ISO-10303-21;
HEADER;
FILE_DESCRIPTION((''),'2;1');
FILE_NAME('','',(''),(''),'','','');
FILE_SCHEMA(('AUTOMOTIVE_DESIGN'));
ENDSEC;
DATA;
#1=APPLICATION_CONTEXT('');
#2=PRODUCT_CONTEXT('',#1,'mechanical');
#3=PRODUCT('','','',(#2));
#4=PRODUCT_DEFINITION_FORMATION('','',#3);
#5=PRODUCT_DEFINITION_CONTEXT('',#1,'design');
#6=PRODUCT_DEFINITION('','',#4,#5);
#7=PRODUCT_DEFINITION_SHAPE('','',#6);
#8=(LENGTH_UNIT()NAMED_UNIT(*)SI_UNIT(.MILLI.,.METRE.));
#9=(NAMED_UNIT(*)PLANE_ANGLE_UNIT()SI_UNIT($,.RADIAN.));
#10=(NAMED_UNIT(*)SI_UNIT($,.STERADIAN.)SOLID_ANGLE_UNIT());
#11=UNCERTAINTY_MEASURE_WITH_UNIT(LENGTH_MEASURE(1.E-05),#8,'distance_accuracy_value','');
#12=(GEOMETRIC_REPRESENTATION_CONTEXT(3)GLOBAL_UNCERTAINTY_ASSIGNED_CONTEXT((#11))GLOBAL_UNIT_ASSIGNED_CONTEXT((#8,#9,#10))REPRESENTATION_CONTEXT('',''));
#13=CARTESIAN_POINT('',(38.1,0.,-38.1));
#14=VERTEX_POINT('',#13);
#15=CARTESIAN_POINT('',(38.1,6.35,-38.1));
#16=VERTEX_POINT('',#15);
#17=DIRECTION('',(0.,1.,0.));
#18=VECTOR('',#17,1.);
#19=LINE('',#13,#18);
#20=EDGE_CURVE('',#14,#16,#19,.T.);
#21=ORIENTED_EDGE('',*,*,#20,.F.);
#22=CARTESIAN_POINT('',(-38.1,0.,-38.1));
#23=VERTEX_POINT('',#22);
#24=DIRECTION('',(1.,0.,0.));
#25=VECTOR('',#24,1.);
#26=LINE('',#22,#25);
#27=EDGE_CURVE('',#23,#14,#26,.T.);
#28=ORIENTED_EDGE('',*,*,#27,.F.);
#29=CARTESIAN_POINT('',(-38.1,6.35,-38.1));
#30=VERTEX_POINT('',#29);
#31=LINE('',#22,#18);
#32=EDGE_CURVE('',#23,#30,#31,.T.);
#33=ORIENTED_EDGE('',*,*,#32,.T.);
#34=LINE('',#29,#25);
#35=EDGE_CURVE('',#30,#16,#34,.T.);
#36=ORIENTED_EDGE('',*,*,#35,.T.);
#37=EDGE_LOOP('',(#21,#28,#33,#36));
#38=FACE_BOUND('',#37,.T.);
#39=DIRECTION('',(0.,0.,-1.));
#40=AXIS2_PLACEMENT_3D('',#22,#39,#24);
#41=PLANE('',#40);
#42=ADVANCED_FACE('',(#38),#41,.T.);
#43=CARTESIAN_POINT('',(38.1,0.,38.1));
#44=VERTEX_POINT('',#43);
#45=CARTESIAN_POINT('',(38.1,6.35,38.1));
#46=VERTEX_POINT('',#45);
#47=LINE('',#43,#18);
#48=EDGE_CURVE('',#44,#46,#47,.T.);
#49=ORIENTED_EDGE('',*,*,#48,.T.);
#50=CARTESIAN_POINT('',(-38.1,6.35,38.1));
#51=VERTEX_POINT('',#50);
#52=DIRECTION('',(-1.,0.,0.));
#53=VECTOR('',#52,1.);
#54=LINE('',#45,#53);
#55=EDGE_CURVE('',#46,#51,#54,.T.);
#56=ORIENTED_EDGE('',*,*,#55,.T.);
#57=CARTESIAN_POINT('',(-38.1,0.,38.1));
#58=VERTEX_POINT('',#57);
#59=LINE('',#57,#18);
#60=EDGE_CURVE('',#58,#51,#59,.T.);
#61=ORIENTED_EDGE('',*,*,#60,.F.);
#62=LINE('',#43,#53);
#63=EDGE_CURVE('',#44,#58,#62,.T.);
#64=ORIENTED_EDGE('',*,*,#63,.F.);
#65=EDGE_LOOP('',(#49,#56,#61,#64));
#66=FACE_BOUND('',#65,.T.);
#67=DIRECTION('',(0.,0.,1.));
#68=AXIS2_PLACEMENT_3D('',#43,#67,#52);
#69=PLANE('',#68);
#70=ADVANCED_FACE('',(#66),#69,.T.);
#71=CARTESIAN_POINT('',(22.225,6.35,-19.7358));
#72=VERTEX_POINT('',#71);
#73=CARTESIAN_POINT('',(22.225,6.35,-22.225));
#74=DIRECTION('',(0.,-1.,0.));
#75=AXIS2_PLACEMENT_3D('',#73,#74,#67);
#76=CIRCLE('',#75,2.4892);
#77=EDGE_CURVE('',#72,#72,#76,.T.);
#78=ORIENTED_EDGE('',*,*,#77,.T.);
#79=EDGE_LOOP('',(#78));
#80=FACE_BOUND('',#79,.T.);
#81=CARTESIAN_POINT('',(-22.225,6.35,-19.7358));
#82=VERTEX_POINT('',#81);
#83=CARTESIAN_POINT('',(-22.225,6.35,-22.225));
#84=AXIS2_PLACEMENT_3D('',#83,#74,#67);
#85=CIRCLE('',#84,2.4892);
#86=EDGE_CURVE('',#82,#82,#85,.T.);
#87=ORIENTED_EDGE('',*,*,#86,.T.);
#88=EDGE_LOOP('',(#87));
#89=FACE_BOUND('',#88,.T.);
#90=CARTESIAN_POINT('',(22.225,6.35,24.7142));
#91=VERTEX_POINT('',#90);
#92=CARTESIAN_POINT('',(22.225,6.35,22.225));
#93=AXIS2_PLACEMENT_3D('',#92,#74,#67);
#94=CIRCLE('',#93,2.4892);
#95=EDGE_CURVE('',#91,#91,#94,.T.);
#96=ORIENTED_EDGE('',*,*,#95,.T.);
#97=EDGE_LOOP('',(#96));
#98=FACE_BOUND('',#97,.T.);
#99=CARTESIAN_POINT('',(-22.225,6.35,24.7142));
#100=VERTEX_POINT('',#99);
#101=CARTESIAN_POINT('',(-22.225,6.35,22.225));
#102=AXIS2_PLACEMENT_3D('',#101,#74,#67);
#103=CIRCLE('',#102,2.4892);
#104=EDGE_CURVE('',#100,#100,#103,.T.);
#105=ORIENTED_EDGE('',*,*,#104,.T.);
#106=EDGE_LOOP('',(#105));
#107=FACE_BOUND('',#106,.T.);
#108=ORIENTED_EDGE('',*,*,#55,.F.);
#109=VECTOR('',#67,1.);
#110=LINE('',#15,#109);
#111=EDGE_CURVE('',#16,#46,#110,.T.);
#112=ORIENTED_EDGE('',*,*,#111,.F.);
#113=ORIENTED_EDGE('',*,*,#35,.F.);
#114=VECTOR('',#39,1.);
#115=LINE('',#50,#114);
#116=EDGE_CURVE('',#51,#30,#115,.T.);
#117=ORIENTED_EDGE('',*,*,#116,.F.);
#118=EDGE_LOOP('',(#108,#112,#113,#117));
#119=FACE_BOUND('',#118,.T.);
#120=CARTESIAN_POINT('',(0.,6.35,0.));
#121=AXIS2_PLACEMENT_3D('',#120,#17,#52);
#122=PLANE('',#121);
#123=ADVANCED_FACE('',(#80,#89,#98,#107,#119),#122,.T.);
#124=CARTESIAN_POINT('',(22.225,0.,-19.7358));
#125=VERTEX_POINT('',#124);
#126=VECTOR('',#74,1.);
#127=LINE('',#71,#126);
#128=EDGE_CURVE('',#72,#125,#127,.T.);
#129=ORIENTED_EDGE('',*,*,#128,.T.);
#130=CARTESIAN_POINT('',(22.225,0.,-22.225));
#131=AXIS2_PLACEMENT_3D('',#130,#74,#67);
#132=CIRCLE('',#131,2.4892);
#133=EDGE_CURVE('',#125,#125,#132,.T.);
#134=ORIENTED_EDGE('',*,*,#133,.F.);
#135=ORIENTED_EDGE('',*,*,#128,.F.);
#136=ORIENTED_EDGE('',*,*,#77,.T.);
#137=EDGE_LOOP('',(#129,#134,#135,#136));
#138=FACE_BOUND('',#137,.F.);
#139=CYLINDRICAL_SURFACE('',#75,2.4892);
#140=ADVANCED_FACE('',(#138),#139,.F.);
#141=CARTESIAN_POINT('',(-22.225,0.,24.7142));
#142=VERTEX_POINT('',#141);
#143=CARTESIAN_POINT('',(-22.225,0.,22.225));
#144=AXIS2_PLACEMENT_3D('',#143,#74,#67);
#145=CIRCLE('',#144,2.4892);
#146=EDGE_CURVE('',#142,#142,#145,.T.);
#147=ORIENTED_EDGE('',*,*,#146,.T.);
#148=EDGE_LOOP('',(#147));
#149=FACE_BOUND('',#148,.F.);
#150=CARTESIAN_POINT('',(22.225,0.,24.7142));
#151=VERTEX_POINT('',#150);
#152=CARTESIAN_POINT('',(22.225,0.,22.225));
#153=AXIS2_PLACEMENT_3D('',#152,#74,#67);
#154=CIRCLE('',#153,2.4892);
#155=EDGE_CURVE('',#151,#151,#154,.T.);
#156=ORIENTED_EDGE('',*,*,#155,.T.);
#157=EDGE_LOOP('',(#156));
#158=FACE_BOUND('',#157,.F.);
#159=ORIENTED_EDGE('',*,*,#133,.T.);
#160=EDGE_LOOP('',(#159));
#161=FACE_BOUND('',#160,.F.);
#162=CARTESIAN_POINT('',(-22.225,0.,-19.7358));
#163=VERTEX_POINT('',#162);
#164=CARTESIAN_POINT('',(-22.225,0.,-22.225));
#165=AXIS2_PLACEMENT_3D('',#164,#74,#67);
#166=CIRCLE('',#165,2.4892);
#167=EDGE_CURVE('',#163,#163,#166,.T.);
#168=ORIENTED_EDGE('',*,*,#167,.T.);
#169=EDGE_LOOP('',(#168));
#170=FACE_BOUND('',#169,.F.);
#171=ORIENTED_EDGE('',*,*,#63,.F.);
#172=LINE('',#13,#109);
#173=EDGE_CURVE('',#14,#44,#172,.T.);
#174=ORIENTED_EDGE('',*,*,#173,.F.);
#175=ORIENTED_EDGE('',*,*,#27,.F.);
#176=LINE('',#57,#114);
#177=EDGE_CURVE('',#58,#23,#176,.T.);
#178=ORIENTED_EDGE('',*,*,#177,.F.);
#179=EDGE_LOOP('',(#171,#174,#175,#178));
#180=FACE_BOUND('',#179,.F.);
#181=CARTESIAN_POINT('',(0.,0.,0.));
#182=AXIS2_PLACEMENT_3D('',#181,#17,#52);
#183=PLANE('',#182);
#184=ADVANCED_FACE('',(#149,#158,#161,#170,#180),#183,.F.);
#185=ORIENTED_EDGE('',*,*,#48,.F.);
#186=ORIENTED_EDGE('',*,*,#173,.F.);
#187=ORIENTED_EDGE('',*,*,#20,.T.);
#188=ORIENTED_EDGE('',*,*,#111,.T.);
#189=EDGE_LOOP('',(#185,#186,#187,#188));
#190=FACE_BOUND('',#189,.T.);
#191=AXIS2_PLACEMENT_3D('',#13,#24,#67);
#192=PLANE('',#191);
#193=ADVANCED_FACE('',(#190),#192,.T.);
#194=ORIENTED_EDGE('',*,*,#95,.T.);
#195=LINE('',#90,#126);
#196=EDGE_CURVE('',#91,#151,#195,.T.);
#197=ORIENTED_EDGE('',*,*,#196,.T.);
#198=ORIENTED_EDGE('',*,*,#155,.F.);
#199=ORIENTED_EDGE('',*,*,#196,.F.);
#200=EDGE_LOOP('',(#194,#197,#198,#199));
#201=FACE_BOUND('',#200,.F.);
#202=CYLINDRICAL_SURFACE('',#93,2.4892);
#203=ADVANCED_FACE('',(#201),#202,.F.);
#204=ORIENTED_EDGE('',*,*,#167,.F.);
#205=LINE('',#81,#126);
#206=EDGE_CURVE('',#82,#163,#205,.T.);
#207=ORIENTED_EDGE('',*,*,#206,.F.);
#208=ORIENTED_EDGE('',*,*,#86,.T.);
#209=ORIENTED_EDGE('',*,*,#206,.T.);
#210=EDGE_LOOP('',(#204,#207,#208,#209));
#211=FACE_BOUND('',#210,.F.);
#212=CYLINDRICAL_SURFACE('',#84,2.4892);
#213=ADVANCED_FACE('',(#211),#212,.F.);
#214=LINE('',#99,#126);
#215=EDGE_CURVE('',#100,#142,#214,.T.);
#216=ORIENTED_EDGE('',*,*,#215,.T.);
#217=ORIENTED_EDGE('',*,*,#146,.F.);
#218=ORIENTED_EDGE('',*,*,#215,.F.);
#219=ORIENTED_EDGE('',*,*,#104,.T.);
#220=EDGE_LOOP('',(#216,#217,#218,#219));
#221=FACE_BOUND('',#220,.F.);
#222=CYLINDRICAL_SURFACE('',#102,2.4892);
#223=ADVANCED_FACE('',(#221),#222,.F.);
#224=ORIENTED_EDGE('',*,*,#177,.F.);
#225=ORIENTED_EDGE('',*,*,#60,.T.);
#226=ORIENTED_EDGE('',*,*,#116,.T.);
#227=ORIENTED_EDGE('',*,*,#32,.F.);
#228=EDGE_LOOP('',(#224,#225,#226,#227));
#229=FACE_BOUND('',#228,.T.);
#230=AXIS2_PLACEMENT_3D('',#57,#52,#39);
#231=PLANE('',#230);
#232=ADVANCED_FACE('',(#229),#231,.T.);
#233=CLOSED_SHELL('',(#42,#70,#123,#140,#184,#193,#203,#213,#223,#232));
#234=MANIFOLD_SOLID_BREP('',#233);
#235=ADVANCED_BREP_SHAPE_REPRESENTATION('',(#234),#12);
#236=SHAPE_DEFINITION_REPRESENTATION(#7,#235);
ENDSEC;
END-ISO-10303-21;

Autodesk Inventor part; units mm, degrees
ref_plane "YZ Plane" through (0, 0, 0) normal (1, 0, 0) x (0, 1, 0)
ref_plane "XZ Plane" through (0, 0, 0) normal (0, 1, 0) x (-1, 0, 0)
ref_plane "XY Plane" through (0, 0, 0) normal (0, 0, 1) x (1, 0, 0)
sketch "Sketch1" plane through (0, 0, 0) normal (0, 1, 0) x (-1, 0, 0)
  line L0 (38.1, -38.1) -> (-38.1, -38.1)
  line L1 (-38.1, -38.1) -> (-38.1, 38.1)
  line L2 (-38.1, 38.1) -> (38.1, 38.1)
  line L3 (38.1, 38.1) -> (38.1, -38.1)
  line L4 (38.1, -38.1) -> (-38.1, 38.1) construction
  line L5 (-38.1, -38.1) -> (38.1, 38.1) construction
  point P0 (0, 0)
  dimension "d0" = 76.2
  dimension "d1" = 76.2
extrude "Extrusion1" add sketch "Sketch1" along normal blind 6.35
sketch "Sketch2" plane through (0, 6.35, 0) normal (0, 1, 0) x (1, 0, 0)
  line L0 (38.1, 38.1) -> (-38.1, 38.1) projected
  line L1 (-38.1, 38.1) -> (-38.1, -38.1) projected
  line L2 (-38.1, -38.1) -> (38.1, -38.1) projected
  line L3 (38.1, -38.1) -> (38.1, 38.1) projected
  line L4 (-22.225, 22.225) -> (22.225, 22.225)
  line L5 (22.225, 22.225) -> (22.225, -22.225)
  line L6 (22.225, -22.225) -> (-22.225, -22.225)
  line L7 (-22.225, -22.225) -> (-22.225, 22.225)
  point P0 (0, 0)
  dimension "d4" = 15.875
hole "Hole1" at (-22.225, 6.35, -22.225) at (22.225, 6.35, 22.225) at (22.225, 6.35, -22.225) at (-22.225, 6.35, 22.225) direction (0, -1, 0) diameter 4.9784 end through all thread size "1/4-20 UNC" class "2B" standard "ANSI Unified Screw Threads"
properties part number "Base Plate" material "Aluminum 6061"
